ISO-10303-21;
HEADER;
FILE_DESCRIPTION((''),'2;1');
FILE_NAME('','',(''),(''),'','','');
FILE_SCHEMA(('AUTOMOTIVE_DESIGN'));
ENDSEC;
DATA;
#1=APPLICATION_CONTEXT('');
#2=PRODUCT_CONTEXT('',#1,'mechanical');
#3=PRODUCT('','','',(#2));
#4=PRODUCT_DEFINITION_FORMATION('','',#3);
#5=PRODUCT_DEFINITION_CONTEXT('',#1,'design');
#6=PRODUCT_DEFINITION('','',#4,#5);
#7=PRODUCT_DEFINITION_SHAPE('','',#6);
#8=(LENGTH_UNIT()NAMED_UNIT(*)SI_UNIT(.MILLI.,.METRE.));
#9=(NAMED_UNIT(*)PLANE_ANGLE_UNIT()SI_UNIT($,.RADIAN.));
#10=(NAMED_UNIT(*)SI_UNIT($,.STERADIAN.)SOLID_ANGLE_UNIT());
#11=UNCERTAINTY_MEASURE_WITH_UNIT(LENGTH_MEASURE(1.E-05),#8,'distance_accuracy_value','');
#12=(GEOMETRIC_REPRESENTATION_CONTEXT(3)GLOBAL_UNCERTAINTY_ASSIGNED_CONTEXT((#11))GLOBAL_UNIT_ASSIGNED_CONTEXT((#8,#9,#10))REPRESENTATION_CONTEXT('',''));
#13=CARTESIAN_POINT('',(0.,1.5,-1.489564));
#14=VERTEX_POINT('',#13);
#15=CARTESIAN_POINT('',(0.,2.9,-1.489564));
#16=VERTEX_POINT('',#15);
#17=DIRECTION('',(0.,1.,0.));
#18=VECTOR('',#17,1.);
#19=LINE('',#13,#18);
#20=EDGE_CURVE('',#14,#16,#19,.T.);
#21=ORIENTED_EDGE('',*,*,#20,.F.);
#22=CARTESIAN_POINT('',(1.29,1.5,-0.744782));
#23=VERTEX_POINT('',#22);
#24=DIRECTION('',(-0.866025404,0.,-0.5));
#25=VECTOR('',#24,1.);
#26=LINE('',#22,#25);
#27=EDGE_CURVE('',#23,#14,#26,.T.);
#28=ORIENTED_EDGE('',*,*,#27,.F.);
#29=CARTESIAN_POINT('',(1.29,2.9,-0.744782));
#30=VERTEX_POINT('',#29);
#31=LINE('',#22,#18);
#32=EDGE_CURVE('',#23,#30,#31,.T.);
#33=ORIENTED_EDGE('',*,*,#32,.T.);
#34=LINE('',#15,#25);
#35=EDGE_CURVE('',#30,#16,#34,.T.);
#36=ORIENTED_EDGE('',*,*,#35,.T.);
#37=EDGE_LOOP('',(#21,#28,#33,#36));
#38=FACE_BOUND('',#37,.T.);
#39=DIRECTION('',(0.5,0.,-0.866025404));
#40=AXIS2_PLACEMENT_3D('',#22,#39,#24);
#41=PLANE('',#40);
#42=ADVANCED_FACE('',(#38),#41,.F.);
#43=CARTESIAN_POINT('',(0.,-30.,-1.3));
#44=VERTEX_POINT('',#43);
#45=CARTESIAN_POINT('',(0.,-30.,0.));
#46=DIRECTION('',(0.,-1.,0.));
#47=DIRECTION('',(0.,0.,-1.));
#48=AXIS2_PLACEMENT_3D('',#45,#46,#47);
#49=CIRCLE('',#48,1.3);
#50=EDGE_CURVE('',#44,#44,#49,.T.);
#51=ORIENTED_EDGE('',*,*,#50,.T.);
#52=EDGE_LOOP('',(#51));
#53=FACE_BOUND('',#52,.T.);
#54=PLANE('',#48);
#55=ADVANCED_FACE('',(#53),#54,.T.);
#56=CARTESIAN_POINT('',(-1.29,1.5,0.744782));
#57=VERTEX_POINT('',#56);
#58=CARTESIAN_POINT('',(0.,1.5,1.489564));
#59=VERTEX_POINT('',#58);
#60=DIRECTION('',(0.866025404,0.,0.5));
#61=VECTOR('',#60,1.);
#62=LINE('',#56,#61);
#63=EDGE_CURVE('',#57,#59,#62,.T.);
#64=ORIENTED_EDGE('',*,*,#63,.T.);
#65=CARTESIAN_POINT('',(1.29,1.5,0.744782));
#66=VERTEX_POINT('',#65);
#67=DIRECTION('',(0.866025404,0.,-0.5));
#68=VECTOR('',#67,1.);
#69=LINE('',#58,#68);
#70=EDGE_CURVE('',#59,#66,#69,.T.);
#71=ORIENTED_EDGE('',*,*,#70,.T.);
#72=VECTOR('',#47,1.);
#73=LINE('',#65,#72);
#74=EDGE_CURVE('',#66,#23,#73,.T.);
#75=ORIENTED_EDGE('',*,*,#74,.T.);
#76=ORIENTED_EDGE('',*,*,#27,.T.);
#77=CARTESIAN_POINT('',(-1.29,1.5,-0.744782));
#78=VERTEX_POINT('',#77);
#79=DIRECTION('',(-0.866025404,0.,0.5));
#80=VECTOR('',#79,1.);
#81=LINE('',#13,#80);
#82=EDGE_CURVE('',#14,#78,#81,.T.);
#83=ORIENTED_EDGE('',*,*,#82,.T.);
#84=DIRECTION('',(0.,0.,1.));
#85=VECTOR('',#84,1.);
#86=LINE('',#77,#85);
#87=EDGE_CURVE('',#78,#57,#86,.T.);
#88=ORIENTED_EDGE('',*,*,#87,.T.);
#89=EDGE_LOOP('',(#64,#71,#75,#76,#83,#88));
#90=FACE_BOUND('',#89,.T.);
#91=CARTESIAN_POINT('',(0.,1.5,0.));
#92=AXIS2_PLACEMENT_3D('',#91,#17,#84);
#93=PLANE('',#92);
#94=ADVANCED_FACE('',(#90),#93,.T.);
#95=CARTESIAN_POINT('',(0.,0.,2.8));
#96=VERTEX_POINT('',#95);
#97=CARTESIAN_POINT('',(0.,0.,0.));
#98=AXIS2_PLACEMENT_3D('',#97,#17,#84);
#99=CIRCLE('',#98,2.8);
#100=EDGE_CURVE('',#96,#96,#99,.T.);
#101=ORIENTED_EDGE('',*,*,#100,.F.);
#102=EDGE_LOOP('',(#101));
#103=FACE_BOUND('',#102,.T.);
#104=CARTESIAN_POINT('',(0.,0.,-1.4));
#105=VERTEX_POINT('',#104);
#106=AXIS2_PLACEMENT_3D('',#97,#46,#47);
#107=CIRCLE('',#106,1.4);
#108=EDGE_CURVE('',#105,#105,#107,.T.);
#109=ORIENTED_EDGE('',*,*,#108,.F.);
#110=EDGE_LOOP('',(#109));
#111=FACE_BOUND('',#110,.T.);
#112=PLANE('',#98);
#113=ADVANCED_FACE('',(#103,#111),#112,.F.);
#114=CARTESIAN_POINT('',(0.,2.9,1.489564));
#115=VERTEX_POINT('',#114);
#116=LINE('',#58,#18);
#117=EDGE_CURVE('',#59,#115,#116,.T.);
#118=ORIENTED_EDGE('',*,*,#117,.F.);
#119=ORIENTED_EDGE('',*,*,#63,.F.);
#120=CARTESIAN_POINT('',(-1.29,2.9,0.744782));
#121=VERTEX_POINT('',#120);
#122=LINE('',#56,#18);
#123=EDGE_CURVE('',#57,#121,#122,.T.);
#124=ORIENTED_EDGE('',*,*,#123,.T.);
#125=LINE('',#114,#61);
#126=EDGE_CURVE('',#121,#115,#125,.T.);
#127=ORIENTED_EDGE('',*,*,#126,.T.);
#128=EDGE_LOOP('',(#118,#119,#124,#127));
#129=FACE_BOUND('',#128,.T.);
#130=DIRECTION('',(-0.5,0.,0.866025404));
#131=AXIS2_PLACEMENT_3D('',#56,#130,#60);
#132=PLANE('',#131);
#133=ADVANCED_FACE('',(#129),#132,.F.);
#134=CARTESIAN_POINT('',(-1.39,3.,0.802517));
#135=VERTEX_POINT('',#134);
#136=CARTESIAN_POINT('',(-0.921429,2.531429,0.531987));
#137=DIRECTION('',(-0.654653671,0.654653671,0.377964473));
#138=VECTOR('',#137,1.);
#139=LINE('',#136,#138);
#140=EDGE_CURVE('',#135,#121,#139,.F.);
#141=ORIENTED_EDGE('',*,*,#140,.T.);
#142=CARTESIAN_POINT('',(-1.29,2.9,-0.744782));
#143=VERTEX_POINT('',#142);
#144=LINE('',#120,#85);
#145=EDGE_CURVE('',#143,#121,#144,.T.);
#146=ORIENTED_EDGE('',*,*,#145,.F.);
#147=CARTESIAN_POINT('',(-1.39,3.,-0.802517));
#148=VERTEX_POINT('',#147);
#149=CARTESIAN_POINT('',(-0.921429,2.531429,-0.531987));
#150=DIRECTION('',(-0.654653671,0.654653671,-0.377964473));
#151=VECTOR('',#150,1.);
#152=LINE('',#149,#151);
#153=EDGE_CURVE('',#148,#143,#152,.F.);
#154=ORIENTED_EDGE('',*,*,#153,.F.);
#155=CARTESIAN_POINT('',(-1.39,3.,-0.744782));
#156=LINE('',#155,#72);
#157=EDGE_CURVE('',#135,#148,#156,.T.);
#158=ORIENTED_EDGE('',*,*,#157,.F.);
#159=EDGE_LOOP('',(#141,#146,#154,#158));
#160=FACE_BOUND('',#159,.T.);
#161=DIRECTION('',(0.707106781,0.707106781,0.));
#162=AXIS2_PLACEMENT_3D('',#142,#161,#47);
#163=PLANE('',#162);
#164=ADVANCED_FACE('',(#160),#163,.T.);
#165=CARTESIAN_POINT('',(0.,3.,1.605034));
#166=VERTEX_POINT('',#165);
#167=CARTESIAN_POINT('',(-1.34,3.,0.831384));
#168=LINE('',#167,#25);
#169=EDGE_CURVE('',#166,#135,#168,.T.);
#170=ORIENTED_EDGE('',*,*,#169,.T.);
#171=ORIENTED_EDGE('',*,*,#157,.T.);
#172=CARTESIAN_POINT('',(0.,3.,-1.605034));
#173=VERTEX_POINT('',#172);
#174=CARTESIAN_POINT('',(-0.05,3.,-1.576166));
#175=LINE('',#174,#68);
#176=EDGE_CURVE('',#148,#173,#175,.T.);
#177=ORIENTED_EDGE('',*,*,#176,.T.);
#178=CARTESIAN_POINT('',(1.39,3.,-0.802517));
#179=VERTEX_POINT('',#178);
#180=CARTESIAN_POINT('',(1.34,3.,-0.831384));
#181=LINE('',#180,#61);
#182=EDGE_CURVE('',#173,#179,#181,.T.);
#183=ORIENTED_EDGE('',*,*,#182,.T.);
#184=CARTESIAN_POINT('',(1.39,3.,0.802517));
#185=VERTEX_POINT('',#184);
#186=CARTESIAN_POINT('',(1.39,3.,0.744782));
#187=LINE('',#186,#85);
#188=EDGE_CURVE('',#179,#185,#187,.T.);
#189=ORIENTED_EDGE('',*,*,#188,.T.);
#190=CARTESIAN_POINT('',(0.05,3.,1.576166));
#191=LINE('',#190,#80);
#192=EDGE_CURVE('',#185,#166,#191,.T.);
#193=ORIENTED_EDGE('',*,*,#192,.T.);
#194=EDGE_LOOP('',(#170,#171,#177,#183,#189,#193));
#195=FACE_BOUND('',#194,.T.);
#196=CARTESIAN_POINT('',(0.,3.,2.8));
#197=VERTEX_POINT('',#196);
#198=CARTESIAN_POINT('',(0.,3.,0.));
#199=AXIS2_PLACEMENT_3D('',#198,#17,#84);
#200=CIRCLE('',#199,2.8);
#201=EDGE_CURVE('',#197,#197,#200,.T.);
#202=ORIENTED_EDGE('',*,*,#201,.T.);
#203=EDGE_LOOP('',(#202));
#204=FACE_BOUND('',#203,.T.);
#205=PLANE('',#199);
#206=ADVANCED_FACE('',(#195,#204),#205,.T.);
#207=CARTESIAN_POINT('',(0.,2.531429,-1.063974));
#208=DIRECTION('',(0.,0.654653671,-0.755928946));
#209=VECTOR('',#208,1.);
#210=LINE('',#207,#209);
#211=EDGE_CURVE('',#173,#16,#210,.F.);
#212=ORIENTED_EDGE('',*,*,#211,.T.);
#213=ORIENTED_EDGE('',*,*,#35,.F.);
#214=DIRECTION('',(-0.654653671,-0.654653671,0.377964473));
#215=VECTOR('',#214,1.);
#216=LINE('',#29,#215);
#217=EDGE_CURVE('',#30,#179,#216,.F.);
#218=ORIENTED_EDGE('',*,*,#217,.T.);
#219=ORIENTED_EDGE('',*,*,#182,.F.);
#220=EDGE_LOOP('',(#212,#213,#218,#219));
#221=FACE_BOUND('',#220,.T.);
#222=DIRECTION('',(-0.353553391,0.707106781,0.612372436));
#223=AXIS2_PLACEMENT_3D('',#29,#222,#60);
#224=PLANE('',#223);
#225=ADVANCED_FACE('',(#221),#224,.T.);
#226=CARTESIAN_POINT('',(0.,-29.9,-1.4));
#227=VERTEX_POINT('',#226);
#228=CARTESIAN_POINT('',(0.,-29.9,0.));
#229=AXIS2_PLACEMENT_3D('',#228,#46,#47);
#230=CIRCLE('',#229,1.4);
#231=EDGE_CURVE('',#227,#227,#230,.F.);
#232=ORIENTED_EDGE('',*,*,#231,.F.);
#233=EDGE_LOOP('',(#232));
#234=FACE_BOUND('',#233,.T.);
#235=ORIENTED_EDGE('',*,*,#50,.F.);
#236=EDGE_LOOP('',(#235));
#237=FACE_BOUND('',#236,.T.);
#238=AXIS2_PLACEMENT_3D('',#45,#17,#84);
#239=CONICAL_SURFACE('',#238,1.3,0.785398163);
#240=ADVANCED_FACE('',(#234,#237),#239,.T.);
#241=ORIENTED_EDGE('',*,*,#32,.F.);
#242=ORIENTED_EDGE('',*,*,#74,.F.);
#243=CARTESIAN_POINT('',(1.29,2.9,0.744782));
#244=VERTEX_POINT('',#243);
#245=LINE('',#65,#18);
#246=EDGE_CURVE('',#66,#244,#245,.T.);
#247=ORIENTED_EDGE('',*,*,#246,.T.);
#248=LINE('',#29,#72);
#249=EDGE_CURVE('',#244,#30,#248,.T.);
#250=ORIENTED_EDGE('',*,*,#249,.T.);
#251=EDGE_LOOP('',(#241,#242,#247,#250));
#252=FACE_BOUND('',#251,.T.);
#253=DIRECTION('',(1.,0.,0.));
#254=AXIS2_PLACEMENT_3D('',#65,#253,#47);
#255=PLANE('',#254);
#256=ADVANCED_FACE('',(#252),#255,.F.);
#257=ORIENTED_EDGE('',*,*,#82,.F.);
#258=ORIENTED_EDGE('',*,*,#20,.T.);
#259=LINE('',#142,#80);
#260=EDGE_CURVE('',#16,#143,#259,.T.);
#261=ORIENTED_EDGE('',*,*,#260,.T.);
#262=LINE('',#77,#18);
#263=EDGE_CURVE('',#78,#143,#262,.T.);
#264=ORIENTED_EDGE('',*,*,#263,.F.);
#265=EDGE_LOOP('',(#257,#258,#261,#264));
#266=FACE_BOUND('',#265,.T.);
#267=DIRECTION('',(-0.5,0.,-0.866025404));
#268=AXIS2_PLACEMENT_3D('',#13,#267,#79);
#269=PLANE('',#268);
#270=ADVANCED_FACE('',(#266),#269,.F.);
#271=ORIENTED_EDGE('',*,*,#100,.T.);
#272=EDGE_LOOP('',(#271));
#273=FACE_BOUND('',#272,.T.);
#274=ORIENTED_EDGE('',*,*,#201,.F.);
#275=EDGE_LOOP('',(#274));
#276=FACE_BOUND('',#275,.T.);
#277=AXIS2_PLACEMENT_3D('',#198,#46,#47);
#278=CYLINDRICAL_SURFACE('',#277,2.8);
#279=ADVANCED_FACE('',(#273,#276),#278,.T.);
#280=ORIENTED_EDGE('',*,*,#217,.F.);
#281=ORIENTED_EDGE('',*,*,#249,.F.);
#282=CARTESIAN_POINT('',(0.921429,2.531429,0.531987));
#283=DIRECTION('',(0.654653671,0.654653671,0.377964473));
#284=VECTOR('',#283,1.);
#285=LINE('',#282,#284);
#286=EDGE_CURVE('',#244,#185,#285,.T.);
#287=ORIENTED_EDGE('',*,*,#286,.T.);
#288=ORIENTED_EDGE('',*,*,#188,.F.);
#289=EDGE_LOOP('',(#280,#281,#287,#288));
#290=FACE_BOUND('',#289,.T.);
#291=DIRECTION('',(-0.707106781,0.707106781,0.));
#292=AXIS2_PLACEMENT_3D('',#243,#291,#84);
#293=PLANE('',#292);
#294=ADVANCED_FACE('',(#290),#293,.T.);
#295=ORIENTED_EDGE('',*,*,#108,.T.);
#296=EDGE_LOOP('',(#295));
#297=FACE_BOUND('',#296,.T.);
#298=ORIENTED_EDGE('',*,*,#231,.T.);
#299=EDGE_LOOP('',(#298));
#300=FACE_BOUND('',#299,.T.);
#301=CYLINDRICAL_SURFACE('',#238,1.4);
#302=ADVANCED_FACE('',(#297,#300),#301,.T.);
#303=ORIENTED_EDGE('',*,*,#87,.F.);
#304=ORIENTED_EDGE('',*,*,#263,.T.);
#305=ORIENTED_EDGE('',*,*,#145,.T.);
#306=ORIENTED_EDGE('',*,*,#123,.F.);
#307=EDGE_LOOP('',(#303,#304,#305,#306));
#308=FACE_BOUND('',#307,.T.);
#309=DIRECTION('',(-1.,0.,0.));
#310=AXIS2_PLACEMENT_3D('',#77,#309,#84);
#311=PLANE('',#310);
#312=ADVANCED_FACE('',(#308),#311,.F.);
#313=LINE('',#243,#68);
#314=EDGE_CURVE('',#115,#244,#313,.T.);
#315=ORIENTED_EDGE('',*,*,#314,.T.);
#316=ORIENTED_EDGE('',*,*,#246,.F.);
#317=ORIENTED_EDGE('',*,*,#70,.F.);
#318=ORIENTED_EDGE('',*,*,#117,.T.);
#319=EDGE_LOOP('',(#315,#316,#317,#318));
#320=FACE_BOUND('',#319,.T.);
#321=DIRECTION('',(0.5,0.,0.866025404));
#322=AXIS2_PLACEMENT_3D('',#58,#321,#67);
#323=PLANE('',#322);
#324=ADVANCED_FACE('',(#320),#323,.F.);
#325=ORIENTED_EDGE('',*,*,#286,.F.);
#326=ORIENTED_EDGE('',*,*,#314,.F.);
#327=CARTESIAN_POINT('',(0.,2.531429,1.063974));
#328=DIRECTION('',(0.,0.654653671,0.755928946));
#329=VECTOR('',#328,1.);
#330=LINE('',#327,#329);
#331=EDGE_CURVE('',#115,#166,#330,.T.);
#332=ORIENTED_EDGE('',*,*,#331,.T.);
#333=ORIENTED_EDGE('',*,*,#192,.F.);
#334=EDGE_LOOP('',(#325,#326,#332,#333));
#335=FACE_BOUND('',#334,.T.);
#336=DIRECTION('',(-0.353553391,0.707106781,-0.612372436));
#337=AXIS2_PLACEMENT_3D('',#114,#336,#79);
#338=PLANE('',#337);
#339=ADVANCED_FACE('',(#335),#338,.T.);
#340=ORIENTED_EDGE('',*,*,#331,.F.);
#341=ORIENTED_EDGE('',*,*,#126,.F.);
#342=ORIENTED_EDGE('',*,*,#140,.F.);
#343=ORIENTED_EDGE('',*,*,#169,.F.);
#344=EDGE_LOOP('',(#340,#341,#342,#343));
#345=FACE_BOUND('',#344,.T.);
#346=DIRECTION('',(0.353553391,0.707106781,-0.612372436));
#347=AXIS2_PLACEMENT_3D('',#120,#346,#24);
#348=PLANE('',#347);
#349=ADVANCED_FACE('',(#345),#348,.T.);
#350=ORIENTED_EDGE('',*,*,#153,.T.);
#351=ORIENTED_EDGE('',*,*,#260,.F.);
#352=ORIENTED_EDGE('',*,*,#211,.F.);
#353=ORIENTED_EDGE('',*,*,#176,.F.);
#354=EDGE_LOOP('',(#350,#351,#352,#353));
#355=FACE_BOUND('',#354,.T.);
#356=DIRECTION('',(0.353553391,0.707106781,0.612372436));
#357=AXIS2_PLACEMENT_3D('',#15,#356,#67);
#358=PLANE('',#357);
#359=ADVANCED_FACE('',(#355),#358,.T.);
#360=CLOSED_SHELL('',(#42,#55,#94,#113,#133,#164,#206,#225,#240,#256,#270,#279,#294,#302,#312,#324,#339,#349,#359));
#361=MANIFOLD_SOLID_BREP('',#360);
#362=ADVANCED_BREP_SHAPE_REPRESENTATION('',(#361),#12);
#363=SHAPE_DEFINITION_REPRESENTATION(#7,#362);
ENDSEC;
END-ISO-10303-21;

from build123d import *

# Parameters (mm, degrees)
SKETCH_1_R          = 2.8
EXTRUDE_1_DEPTH     = 3
CUT_EXTRUDE_1_DEPTH = 1.5
SKETCH_3_R          = 1.4
EXTRUDE_2_DEPTH     = 30
CHAMFER_1_SIZE      = 0.1


with BuildPart() as part:
    # 草图1 → 凸台-拉伸1 (new body)
    with BuildSketch(Plane(origin=(0, 0, 0), x_dir=(1, 0, 0), z_dir=(0, 1, 0))):
        Circle(SKETCH_1_R)
    extrude(amount=EXTRUDE_1_DEPTH)

    # 草图2 → 切除-拉伸1 (cut)
    with BuildSketch(Plane(origin=(0, 3, 0), x_dir=(1, 0, 0), z_dir=(0, 1, 0))):
        Polygon((0, -1.489563695), (1.29, -0.744781847), (1.29, 0.744781847), (0, 1.489563695), (-1.29, 0.744781847), (-1.29, -0.744781847), align=None)
    extrude(amount=-CUT_EXTRUDE_1_DEPTH, mode=Mode.SUBTRACT)

    # 草图3 → 凸台-拉伸2 (add)
    with BuildSketch(Plane.XZ):
        Circle(SKETCH_3_R)
    extrude(amount=EXTRUDE_2_DEPTH)

    # 倒角1
    chamfer_1_edges = [part.edges().sort_by_distance(p)[0] for p in [
        (-0.645, 3, 1.117172771),
        (0.645, 3, 1.117172771),
        (1.29, 3, 0),
        (0.645, 3, -1.117172771),
        (-0.645, 3, -1.117172771),
        (-1.29, 3, 0),
        (-1.4, -30, 0),
    ]]
    chamfer(chamfer_1_edges, length=CHAMFER_1_SIZE)


solid = part.part
